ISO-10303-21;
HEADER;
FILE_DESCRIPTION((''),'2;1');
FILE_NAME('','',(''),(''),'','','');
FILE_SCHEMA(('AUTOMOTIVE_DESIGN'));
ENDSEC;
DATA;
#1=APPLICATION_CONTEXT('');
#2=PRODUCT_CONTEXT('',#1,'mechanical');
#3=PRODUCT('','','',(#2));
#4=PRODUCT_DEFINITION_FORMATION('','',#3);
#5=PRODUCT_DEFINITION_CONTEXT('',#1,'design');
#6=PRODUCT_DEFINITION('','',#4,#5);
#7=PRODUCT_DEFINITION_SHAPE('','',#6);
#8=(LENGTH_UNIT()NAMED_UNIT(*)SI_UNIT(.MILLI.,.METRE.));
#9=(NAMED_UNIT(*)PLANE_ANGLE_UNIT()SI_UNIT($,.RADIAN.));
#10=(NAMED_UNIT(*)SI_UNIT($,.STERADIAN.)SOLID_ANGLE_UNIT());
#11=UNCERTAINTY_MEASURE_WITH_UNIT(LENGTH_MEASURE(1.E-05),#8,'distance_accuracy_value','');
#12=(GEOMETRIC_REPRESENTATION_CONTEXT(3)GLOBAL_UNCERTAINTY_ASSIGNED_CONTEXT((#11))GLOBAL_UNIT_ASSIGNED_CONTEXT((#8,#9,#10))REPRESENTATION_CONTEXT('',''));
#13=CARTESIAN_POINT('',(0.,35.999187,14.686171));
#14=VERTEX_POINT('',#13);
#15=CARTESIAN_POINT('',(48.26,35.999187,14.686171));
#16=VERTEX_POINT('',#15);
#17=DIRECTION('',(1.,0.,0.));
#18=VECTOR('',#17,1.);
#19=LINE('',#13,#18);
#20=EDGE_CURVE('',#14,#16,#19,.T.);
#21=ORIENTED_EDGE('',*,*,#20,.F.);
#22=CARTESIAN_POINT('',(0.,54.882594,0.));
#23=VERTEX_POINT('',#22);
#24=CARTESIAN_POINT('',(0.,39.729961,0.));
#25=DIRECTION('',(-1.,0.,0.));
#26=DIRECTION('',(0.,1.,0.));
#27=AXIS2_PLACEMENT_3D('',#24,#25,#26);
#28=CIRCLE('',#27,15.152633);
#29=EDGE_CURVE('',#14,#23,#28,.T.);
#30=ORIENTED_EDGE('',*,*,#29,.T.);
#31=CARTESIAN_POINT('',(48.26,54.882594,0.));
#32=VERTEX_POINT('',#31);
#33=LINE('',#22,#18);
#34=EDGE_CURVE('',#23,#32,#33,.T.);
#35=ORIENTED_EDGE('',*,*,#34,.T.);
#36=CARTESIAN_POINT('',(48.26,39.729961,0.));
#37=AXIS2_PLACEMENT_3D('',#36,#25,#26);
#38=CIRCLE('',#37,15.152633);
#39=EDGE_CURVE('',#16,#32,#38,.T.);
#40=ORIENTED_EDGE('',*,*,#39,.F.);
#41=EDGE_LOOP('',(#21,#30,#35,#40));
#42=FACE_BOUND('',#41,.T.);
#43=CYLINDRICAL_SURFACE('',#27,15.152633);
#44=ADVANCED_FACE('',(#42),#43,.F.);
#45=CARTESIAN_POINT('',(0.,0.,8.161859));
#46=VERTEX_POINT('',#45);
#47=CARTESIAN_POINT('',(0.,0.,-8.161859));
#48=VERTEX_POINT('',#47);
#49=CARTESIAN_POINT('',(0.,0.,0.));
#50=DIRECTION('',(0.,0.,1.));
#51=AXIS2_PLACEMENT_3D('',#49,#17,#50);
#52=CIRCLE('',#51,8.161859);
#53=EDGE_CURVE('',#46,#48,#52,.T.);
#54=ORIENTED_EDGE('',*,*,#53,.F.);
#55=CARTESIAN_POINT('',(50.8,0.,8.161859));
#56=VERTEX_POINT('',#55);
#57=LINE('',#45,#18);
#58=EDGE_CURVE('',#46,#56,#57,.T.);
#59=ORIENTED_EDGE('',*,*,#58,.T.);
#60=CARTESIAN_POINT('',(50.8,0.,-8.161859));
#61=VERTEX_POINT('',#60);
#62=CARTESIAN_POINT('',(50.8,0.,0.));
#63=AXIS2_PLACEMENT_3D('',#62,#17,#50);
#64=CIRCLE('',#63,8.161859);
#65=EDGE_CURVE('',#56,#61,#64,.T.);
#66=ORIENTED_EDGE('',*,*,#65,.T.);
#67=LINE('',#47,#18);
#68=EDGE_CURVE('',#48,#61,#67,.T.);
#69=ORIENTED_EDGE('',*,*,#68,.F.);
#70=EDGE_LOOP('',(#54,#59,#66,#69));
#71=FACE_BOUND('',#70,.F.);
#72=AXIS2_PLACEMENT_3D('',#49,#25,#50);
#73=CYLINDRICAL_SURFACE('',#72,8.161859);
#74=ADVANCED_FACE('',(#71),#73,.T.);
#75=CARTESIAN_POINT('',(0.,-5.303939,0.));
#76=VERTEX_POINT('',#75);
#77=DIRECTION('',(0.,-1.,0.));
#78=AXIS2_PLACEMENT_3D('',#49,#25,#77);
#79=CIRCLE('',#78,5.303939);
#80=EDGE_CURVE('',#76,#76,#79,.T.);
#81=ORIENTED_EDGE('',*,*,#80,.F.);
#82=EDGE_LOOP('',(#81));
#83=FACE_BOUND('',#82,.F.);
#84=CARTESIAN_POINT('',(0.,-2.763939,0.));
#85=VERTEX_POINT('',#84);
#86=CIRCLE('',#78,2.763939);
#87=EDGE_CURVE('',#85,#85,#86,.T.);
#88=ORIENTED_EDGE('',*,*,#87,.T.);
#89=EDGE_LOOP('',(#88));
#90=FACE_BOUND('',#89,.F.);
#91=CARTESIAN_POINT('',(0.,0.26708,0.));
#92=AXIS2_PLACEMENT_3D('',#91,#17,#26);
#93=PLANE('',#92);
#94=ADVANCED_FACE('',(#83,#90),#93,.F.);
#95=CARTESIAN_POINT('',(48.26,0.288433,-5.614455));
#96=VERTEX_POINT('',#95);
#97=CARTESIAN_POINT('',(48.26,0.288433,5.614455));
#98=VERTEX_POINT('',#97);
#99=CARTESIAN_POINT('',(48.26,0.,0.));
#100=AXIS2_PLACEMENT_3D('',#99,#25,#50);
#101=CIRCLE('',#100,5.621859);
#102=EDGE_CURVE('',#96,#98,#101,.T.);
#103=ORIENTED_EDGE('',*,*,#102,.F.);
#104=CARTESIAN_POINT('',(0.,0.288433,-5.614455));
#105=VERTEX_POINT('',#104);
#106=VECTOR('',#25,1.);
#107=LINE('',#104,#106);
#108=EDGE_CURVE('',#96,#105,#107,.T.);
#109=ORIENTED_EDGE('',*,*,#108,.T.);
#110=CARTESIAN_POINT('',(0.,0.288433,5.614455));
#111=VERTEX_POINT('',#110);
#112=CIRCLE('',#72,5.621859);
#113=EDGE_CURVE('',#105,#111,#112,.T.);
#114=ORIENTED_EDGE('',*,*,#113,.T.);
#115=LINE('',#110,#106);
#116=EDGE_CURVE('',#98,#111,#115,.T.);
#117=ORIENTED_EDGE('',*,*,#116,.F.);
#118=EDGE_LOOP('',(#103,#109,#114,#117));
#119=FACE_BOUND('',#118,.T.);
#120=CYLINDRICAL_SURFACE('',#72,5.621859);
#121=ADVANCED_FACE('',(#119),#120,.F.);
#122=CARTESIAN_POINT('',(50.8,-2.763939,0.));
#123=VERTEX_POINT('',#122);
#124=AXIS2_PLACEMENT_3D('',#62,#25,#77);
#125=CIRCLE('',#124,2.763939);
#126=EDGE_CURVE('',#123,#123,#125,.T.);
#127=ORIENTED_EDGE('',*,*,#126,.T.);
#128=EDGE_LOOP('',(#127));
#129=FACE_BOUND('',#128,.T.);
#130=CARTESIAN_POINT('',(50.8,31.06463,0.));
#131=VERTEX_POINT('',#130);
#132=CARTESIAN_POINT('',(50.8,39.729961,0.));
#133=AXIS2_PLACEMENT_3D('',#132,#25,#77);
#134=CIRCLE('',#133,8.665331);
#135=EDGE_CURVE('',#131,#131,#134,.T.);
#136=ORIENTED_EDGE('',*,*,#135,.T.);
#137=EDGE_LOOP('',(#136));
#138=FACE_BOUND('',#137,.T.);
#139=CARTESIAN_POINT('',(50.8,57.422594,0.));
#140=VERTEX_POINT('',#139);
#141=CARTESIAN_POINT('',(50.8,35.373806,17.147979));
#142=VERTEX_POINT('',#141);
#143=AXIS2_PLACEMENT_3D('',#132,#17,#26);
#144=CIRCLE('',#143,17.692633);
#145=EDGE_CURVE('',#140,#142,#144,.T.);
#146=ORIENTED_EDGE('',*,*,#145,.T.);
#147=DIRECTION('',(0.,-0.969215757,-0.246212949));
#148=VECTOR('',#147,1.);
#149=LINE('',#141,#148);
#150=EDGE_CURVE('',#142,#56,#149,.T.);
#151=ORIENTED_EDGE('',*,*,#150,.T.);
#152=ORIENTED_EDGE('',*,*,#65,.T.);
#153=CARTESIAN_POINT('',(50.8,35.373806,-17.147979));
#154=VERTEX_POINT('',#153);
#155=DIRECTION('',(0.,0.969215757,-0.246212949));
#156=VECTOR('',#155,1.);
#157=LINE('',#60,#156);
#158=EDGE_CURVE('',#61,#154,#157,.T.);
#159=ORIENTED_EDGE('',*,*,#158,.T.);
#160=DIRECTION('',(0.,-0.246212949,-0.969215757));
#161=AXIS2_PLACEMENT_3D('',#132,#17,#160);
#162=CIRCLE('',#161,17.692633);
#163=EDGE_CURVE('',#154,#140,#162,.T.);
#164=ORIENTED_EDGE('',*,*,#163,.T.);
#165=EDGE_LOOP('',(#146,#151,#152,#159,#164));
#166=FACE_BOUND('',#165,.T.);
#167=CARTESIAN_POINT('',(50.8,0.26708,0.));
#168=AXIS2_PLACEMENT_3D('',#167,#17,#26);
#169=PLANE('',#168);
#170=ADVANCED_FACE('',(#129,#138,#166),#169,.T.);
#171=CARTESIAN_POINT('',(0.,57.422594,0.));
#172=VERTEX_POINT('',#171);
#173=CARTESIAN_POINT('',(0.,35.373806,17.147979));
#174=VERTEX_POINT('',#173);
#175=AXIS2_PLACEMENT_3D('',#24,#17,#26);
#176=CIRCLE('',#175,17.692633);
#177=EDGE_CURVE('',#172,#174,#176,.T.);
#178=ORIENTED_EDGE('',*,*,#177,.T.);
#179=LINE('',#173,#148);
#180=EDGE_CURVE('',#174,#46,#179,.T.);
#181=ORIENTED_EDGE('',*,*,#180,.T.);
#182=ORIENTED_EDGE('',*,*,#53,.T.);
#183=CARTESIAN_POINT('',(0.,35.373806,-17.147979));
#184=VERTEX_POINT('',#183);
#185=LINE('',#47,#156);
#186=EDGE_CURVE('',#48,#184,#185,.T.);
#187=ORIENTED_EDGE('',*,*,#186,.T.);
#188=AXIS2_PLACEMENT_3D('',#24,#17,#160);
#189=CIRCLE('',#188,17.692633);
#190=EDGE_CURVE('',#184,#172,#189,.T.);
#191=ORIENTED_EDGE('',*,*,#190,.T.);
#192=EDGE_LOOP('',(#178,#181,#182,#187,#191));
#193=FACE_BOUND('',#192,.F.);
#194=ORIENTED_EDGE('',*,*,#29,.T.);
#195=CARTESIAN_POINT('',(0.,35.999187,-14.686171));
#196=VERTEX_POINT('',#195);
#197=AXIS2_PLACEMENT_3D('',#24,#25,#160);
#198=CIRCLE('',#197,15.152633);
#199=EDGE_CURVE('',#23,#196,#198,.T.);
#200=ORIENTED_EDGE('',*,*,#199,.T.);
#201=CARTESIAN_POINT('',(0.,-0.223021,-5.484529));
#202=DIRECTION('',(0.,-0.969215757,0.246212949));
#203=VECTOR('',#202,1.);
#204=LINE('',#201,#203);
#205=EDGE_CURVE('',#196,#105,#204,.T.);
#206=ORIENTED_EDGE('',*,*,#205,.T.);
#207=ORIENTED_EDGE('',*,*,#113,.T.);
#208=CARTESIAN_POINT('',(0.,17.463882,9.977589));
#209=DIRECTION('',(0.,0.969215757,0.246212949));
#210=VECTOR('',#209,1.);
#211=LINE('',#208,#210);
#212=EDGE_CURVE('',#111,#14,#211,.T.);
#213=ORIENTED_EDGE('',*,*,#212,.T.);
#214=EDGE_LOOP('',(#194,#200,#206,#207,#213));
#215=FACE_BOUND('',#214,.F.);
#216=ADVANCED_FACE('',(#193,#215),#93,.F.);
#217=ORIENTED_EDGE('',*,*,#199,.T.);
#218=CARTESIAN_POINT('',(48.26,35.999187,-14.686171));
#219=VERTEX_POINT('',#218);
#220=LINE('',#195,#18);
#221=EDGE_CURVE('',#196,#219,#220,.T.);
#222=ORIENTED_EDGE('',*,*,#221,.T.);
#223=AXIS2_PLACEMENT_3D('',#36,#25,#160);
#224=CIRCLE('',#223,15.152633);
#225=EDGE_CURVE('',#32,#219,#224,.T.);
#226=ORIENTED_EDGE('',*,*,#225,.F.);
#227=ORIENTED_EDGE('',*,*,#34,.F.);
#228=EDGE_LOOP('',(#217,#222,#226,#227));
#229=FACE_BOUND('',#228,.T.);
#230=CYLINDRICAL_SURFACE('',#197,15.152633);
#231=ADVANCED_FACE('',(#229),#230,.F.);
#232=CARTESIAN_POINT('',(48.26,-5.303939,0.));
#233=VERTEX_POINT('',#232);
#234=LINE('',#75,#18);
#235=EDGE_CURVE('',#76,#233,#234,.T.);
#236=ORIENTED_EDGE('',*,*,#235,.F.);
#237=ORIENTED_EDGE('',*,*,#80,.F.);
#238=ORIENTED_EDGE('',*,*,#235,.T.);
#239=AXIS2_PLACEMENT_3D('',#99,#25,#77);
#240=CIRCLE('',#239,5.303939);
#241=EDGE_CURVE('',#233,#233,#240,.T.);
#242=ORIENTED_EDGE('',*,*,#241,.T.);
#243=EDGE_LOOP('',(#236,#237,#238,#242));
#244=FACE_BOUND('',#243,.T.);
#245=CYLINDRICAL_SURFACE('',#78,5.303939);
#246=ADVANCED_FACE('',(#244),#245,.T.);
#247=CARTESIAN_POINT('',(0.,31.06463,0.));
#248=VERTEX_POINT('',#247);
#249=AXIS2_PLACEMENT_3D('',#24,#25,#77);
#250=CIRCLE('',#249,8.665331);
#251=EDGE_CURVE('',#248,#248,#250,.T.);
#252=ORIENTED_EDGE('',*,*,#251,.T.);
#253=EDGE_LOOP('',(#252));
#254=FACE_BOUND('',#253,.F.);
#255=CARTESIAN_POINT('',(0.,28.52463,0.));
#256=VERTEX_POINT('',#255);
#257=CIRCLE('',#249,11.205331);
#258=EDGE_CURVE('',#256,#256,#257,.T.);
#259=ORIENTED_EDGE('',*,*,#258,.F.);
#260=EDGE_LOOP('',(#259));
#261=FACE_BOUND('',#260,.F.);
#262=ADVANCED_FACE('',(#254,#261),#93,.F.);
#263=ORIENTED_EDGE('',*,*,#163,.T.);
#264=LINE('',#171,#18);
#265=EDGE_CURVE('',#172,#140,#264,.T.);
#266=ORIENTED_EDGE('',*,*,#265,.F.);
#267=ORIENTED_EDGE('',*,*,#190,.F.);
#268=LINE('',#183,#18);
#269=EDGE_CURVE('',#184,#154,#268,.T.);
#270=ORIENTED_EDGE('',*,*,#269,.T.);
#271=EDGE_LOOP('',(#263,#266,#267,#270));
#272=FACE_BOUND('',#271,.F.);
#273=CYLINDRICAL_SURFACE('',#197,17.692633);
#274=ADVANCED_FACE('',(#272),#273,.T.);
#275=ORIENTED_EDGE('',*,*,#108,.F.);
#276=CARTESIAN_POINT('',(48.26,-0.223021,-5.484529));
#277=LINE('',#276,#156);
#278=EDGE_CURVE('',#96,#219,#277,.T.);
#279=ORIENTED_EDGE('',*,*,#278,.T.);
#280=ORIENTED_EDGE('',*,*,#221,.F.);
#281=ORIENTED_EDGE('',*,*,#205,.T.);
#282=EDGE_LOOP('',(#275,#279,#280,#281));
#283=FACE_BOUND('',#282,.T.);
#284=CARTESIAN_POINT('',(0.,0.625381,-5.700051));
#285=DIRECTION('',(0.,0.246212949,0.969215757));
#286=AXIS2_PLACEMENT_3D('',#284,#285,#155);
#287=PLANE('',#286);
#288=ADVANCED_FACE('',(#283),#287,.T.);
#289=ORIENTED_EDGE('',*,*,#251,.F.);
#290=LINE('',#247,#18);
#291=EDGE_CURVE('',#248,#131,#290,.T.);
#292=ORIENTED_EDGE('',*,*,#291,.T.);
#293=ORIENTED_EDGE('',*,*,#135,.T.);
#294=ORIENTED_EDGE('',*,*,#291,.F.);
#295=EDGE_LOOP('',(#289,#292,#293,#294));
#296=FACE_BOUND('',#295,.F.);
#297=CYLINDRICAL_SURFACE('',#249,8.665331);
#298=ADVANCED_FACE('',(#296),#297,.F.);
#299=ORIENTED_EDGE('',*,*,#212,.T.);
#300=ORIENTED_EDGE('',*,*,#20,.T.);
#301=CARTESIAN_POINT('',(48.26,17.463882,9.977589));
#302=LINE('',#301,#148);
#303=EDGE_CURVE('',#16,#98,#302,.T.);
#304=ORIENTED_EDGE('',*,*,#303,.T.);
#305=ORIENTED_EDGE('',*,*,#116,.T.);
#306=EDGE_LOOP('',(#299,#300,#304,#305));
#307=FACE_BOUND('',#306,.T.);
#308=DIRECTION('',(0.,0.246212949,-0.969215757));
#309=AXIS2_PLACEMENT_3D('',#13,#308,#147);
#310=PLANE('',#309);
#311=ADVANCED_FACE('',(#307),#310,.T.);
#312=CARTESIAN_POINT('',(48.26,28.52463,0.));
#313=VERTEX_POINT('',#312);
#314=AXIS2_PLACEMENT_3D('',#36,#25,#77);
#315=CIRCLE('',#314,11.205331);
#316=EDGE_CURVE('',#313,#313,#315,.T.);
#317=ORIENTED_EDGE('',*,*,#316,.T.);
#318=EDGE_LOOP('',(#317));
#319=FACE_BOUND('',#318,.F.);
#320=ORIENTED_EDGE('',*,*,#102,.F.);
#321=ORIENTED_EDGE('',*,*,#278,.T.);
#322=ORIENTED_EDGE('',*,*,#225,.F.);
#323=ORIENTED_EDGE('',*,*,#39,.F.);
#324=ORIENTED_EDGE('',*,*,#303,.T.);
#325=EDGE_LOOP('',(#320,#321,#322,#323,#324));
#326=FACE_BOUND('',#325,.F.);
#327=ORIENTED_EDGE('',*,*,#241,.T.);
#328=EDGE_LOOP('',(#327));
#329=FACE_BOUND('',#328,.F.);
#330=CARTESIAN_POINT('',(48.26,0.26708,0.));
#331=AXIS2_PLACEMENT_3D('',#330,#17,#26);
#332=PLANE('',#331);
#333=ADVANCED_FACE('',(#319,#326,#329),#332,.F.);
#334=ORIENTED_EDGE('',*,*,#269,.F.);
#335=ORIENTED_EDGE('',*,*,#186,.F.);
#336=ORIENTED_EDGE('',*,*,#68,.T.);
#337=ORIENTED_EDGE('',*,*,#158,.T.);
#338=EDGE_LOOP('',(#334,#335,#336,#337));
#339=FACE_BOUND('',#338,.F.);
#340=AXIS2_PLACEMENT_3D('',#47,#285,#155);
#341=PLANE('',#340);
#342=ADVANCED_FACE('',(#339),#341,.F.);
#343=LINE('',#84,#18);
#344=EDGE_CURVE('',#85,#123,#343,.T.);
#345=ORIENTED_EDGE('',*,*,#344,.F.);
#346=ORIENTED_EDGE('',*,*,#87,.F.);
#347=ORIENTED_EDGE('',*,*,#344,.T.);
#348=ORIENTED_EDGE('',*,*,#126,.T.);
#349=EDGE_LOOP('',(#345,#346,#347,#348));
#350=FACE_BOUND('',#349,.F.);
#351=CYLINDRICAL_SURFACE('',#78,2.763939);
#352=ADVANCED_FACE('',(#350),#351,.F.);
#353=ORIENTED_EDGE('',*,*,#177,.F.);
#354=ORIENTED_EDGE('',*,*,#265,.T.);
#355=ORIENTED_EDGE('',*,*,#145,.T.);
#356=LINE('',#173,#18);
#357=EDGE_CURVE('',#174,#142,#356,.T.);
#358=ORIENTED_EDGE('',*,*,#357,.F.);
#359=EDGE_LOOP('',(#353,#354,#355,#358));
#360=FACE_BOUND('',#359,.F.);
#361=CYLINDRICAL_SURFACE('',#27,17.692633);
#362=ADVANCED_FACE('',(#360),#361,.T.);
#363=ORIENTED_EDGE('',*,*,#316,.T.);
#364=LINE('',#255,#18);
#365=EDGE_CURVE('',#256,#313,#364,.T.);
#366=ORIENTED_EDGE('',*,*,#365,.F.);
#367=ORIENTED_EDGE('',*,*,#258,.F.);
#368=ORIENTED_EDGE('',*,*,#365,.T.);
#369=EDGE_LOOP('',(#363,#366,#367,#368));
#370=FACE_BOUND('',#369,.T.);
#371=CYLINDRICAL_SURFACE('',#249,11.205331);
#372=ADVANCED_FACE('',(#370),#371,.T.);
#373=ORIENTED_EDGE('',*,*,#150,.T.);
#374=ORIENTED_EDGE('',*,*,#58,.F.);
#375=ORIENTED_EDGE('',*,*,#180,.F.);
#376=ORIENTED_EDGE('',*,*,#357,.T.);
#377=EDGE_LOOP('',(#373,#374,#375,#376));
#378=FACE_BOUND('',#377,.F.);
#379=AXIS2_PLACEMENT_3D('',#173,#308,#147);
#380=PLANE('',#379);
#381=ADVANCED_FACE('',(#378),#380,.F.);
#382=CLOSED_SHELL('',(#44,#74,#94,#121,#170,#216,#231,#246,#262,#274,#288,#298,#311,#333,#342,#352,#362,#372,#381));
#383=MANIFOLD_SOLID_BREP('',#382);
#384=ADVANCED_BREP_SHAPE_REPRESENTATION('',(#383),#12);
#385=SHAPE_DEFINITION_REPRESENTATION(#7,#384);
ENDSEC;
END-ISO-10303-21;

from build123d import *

# Parameters (mm, degrees)
F1_DEPTH = 50.8
F2_R     = 2.7639393044
F2_R_2   = 8.6653307134
F3_DEPTH = 79.502
F4_T     = -2.54


with BuildPart() as f1:
    # F0 (on Right) → F1 (new body)
    with BuildSketch(Plane.YZ):
        with BuildLine():
            ThreePointArc((0, -8.1618588303), (5.771305726, -5.771305726), (8.1618588303, 0))
            ThreePointArc((8.1618588303, 0), (5.771305726, 5.771305726), (0, 8.1618588303))
            ThreePointArc((0, 8.1618588303), (-8.1618588303, 0), (0, -8.1618588303))
        make_face()
        with BuildLine():
            ThreePointArc((57.4225941824, 0), (50.5917612932, 13.9660503324), (35.3738057369, 17.1479787622))
            ThreePointArc((35.3738057369, 17.1479787622), (22.0373280273, 0), (35.3738057369, -17.1479787622))
            ThreePointArc((35.3738057369, -17.1479787622), (50.5917612932, -13.9660503324), (57.4225941824, 0))
        make_face()
        with BuildLine():
            ThreePointArc((0, 8.1618588303), (5.771305726, 5.771305726), (8.1618588303, 0))
            ThreePointArc((8.1618588303, 0), (5.771305726, -5.771305726), (0, -8.1618588303))
            Line((0, -8.1618588303), (35.3738057369, -17.1479787622))
            ThreePointArc((35.3738057369, -17.1479787622), (22.0373280273, 0), (35.3738057369, 17.1479787622))
            Line((35.3738057369, 17.1479787622), (0, 8.1618588303))
        make_face()
    extrude(amount=F1_DEPTH)

    # F2 (on face) → F3 (cut)
    with BuildSketch(Plane(origin=(0, 0, 0), x_dir=(0, -1, 0), z_dir=(-1, 0, 0))):
        Circle(F2_R)
        with Locations((-39.7299611049, 0)):
            Circle(F2_R_2)
    extrude(amount=-F3_DEPTH, mode=Mode.SUBTRACT)

    # F4
    f4_openings = [f1.faces().sort_by_distance(p)[0] for p in [
        (0, 26.679648, 0),
    ]]
    offset(amount=F4_T, openings=f4_openings, kind=Kind.INTERSECTION)


solid = f1.part
